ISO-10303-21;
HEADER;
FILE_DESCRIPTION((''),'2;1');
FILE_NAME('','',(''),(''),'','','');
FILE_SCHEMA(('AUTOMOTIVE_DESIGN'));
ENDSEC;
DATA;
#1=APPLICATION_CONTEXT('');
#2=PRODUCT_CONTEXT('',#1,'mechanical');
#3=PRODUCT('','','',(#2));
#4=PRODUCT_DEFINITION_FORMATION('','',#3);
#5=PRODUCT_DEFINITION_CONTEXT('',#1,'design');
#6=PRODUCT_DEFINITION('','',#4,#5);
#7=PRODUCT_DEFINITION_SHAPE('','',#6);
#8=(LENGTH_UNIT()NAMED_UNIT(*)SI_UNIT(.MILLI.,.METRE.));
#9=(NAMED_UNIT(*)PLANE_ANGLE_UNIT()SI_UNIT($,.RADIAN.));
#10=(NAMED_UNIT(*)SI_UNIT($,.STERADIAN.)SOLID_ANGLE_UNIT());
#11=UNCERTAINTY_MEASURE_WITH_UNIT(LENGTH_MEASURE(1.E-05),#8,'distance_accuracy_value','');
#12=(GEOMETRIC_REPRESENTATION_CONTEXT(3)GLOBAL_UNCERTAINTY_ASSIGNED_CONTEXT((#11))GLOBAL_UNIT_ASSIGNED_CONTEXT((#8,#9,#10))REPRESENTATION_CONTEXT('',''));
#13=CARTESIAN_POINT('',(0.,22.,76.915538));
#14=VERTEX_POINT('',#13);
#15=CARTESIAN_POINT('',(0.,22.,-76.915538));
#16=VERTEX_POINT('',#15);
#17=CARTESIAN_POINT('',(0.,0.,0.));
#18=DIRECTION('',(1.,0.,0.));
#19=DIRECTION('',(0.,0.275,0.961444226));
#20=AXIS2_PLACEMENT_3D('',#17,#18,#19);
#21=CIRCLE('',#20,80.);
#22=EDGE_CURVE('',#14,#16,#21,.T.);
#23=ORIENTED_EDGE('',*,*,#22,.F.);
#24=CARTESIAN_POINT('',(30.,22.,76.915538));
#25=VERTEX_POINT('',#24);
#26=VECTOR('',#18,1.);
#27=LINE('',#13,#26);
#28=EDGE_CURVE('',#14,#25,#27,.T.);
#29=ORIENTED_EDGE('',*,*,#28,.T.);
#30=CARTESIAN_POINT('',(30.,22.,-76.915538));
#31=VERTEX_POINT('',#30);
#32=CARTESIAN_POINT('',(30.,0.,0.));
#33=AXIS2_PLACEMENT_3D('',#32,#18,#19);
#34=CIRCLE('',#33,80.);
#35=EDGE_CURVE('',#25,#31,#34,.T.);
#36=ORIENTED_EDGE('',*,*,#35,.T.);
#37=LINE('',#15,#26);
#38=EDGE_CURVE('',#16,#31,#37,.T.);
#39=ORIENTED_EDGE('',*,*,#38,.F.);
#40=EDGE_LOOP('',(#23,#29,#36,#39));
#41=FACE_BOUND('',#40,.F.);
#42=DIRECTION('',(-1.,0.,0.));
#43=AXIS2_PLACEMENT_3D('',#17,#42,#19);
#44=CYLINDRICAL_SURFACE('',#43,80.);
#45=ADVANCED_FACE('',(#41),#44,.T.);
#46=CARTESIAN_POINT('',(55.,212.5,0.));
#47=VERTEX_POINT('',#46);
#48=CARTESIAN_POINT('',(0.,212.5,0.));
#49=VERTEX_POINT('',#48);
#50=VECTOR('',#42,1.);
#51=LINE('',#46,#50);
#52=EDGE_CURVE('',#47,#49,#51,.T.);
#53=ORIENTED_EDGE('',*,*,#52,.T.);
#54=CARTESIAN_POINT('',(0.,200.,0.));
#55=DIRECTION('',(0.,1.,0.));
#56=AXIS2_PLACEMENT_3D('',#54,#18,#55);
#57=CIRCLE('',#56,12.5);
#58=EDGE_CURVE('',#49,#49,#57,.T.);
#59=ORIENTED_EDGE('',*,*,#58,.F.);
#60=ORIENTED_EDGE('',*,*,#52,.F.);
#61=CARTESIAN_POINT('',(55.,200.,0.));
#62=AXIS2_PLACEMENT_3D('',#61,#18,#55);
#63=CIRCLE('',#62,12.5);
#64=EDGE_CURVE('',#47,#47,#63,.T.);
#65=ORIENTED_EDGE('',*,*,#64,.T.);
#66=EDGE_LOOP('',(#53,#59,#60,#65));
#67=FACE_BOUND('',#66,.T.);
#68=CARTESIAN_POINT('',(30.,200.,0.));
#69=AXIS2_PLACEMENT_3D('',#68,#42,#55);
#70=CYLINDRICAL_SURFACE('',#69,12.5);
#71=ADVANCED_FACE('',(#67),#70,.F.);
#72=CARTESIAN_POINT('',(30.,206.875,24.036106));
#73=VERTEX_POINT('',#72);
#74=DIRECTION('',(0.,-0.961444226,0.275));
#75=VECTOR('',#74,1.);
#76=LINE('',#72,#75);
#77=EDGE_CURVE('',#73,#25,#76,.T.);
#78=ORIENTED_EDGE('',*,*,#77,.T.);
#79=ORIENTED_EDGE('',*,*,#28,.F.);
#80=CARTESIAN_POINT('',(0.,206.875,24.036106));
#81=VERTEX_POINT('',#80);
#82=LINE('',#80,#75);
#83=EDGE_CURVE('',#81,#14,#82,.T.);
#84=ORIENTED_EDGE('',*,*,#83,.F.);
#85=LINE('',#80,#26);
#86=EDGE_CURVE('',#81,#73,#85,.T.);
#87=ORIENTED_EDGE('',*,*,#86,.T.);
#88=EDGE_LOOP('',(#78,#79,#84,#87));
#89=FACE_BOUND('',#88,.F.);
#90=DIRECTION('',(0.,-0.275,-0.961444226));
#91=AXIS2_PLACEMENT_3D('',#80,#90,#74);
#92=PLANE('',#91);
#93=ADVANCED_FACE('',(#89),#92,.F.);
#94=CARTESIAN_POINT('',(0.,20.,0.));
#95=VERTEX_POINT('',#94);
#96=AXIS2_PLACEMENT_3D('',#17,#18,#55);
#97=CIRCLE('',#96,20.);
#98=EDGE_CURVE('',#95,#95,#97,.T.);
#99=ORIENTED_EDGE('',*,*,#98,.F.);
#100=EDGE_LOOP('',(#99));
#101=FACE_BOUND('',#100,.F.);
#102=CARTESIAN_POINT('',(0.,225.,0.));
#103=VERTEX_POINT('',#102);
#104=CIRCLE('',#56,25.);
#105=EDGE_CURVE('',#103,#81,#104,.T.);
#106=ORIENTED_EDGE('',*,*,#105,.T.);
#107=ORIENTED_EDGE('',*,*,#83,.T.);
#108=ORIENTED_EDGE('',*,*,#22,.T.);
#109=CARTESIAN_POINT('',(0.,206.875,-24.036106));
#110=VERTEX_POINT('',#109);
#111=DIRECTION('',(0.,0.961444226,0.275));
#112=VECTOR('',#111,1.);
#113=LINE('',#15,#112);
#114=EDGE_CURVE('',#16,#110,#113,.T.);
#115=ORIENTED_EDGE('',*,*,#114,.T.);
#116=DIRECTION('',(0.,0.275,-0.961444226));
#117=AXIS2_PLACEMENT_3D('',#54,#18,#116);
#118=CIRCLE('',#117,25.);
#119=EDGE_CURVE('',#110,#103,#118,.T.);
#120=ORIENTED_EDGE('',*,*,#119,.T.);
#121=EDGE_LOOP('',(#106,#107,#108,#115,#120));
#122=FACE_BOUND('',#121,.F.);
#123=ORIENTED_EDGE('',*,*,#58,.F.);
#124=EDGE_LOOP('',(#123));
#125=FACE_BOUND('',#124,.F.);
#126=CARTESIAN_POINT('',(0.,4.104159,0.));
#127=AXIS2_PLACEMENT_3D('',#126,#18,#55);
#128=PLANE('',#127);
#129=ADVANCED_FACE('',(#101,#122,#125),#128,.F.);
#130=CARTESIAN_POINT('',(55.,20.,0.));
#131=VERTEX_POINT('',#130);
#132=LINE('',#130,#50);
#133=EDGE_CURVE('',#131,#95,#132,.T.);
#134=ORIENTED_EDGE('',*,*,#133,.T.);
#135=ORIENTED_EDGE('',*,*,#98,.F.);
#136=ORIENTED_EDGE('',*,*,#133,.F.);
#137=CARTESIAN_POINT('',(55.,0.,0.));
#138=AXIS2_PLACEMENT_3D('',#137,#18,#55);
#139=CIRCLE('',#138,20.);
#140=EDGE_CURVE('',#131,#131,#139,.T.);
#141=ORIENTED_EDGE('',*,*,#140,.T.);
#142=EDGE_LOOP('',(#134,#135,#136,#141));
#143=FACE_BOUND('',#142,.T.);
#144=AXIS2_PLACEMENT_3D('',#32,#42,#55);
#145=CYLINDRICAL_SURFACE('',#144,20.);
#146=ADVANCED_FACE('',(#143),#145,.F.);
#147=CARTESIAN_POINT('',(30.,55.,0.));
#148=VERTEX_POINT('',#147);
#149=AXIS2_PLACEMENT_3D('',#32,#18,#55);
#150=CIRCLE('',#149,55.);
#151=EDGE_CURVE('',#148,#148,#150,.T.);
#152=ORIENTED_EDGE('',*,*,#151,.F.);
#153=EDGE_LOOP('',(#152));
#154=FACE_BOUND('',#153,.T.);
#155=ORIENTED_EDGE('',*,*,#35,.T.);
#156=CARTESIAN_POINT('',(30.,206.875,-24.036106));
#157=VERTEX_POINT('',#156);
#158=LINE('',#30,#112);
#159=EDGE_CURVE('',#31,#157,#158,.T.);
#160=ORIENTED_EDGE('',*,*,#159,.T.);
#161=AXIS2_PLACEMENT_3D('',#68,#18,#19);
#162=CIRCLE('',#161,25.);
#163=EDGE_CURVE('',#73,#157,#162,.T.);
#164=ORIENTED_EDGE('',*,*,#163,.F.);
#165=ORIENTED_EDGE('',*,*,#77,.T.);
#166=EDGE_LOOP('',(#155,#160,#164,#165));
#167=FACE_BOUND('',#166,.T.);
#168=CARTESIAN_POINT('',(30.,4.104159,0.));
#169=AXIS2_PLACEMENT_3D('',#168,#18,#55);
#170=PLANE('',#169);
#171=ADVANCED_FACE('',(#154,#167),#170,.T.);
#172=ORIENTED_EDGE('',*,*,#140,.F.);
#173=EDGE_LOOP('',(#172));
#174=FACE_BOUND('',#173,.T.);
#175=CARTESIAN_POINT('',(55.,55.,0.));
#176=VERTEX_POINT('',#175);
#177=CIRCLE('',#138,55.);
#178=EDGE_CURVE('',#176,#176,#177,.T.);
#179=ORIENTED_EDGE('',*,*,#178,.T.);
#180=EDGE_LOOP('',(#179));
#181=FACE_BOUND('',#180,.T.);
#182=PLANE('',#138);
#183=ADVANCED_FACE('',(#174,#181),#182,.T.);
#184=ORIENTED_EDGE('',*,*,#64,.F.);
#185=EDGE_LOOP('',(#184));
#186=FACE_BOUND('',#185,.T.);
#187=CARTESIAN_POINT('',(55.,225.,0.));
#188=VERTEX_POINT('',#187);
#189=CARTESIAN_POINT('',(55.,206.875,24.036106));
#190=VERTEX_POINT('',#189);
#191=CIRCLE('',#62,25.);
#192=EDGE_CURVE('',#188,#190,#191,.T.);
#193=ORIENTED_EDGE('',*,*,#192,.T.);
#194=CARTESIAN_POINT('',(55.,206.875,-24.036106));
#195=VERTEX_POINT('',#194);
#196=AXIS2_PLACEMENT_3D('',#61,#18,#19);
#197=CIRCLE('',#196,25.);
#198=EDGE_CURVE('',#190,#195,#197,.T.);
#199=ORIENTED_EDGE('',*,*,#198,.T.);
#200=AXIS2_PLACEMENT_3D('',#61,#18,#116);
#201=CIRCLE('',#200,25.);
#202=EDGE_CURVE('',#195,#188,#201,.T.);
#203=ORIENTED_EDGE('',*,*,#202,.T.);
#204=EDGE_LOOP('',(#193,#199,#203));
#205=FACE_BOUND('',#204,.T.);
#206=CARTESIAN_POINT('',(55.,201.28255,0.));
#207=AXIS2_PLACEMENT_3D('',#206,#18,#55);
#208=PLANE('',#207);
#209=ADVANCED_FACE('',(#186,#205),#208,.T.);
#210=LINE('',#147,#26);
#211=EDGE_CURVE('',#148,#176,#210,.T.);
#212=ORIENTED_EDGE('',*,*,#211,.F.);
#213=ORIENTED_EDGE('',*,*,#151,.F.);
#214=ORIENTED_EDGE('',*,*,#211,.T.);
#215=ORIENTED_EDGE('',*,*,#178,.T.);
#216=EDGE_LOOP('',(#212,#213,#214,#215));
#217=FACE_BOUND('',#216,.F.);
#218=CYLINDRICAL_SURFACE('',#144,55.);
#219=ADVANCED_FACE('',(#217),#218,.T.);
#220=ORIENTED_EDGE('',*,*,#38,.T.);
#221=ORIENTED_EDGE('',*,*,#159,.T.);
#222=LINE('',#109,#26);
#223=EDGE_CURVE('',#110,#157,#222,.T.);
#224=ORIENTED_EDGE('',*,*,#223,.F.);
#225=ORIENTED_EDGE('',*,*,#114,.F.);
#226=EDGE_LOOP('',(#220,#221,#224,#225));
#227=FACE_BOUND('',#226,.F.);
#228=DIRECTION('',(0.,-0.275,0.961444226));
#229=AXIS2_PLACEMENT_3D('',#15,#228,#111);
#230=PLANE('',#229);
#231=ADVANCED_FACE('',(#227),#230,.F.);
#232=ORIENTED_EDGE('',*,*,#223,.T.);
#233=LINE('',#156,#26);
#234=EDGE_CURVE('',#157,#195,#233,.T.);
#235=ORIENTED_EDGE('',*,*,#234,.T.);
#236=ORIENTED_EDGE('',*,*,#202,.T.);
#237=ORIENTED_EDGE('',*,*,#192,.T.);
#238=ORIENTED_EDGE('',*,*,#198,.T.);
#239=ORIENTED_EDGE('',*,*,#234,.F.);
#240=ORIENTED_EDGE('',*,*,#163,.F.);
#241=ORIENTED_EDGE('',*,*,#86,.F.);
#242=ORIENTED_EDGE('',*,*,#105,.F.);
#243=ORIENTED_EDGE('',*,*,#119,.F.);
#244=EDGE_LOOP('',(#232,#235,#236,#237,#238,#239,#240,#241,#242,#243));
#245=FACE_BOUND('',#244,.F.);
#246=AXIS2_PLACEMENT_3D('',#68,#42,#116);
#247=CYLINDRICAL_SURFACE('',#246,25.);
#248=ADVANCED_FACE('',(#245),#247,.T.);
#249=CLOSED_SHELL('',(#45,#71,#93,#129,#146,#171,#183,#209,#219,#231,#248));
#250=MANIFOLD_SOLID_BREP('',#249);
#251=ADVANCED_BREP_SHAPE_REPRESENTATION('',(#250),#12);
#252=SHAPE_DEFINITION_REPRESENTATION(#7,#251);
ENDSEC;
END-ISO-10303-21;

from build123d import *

# Parameters (mm, degrees)
F0_R     = 20
F0_R_2   = 12.5
F1_DEPTH = 30
F2_R     = 55
F2_R_2   = 20
F3_DEPTH = 25
F4_R     = 12.5
F5_DEPTH = 25


with BuildPart() as f1:
    # F0 (on Right) → F1 (new body)
    with BuildSketch(Plane.YZ):
        with BuildLine():
            ThreePointArc((22, -76.9155380921), (63.8748776907, -48.1663783152), (80, 0))
            ThreePointArc((80, 0), (63.8748776907, 48.1663783152), (22, 76.9155380921))
            ThreePointArc((22, 76.9155380921), (-80, 0), (22, -76.9155380921))
        make_face()
        Circle(F0_R, mode=Mode.SUBTRACT)
        with BuildLine():
            ThreePointArc((22, 76.9155380921), (63.8748776907, 48.1663783152), (80, 0))
            ThreePointArc((80, 0), (63.8748776907, -48.1663783152), (22, -76.9155380921))
            Line((22, -76.9155380921), (206.875, -24.0361056538))
            ThreePointArc((206.875, -24.0361056538), (175, 0), (206.875, 24.0361056538))
            Line((206.875, 24.0361056538), (22, 76.9155380921))
        make_face()
        with BuildLine():
            ThreePointArc((225, 0), (219.9608992783, 15.0519932235), (206.875, 24.0361056538))
            ThreePointArc((206.875, 24.0361056538), (175, 0), (206.875, -24.0361056538))
            ThreePointArc((206.875, -24.0361056538), (219.9608992783, -15.0519932235), (225, 0))
        make_face()
        with Locations((200, 0)):
            Circle(F0_R_2, mode=Mode.SUBTRACT)
    extrude(amount=F1_DEPTH)

    # F2 (on face) → F3 (join)
    with BuildSketch(Plane.YZ.offset(30)):
        Circle(F2_R)
        Circle(F2_R_2, mode=Mode.SUBTRACT)
    extrude(amount=F3_DEPTH)

    # F4 (on face) → F5 (join)
    with BuildSketch(Plane.YZ.offset(30)):
        with BuildLine():
            ThreePointArc((206.875, -24.0361056538), (219.9608992783, -15.0519932235), (225, 0))
            ThreePointArc((225, 0), (219.9608992783, 15.0519932235), (206.875, 24.0361056538))
            ThreePointArc((206.875, 24.0361056538), (175, 0), (206.875, -24.0361056538))
        make_face()
        with Locations((200, 0)):
            Circle(F4_R, mode=Mode.SUBTRACT)
    extrude(amount=F5_DEPTH)


solid = f1.part
